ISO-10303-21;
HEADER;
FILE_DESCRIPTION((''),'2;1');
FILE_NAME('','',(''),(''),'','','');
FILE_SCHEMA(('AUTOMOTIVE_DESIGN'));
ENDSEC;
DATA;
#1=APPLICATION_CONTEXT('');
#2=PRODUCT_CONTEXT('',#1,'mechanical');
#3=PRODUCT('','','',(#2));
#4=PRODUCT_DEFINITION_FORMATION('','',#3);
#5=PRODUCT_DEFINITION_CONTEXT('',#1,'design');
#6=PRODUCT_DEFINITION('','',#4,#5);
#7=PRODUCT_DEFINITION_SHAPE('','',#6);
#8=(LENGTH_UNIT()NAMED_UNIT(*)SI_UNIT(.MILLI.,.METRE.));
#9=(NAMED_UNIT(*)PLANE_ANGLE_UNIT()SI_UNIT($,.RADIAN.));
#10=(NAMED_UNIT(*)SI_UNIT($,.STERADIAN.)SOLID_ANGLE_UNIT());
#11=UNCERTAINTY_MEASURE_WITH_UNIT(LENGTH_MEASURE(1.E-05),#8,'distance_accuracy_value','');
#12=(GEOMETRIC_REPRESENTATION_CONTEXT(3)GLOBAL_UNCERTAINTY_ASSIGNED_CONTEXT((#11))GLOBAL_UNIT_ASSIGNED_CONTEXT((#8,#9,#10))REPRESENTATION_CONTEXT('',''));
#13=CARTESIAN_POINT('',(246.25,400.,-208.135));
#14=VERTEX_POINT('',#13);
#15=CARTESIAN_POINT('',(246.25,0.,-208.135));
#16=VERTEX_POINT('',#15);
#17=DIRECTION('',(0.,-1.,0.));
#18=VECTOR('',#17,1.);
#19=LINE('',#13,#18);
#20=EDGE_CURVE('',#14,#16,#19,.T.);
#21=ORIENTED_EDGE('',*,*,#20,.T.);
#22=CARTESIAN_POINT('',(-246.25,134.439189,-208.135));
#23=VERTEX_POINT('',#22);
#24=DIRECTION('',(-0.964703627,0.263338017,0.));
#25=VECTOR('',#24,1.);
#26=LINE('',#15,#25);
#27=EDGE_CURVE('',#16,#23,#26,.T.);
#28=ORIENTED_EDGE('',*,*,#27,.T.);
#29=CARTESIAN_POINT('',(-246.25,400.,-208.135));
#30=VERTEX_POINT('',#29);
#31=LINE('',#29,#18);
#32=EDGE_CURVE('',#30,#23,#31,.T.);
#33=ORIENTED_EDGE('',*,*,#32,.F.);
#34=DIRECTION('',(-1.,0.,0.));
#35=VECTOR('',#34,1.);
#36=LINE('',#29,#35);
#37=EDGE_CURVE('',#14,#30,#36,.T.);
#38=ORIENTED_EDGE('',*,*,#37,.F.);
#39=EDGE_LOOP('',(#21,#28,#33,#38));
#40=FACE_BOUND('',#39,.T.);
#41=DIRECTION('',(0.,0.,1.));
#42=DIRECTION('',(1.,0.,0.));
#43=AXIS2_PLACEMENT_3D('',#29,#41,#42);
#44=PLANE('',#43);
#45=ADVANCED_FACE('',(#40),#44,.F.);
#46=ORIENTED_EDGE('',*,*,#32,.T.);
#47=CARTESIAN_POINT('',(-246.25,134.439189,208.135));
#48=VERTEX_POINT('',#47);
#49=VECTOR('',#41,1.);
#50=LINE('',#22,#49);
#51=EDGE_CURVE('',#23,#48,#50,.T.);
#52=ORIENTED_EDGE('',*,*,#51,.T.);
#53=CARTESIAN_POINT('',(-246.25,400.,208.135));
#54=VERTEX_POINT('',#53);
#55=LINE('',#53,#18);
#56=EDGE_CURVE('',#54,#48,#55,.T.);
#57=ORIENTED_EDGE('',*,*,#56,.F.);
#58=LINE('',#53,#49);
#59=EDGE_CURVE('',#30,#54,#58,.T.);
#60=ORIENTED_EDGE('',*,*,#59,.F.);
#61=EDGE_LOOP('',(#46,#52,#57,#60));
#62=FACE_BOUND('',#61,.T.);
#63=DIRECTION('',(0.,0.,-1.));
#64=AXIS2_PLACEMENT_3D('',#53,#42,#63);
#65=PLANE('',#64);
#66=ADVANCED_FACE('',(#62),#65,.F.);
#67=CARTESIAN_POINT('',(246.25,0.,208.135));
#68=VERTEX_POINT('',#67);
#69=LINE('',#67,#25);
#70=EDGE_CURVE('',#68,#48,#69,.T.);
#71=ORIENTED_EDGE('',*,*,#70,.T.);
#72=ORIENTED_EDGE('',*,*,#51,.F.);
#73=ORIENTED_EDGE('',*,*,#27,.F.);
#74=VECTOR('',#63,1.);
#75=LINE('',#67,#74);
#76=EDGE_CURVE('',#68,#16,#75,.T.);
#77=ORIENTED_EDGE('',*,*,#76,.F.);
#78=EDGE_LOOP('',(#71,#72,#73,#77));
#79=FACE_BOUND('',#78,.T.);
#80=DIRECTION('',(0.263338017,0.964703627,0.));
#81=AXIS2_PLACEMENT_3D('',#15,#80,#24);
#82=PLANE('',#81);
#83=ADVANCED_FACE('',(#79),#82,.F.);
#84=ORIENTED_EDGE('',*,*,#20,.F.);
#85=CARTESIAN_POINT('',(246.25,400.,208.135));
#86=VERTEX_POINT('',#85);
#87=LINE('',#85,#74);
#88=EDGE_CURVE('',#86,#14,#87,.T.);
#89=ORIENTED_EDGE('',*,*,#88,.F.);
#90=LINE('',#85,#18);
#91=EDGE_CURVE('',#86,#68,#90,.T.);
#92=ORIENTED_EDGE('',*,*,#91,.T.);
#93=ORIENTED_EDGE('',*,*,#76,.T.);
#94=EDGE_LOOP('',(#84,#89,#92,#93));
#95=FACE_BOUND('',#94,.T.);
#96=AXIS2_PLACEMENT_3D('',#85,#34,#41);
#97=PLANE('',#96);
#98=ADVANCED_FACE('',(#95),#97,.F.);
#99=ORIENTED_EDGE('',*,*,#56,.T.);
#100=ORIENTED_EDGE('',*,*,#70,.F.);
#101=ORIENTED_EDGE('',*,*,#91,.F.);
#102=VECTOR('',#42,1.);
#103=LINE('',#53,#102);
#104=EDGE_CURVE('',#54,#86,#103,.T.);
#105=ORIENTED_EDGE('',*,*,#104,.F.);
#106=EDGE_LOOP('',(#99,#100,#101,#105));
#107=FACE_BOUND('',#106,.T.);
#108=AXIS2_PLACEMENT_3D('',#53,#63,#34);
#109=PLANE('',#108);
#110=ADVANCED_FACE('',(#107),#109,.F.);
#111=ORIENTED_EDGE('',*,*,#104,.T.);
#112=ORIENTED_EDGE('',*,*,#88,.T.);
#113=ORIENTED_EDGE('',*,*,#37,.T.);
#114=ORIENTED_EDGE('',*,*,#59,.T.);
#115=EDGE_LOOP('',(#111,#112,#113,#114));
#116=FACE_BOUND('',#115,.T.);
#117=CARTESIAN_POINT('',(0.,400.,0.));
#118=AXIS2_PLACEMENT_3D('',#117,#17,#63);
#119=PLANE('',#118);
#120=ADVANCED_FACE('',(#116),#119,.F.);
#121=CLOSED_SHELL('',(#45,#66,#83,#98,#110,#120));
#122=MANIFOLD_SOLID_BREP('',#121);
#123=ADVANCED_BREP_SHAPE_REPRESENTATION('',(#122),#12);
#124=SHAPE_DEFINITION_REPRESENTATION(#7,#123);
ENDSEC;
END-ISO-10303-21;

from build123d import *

# Parameters (mm, degrees)
SKETCH1_W           = 492.5
SKETCH1_H           = 416.27
BOSS_EXTRUDE1_DEPTH = 400
CUT_EXTRUDE2_DEPTH  = 628.630285598


with BuildPart() as part:
    # Sketch1 → Boss-Extrude1 (new body)
    with BuildSketch(Plane(origin=(0, 0, 0), x_dir=(1, 0, 0), z_dir=(0, 1, 0))):
        Rectangle(SKETCH1_W, SKETCH1_H)
    extrude(amount=BOSS_EXTRUDE1_DEPTH)

    # Sketch3 → Cut-Extrude2 (cut, through all)
    with BuildSketch(Plane.XY.offset(208.135)):
        Polygon((246.25, 0), (-246.25, 134.439189184), (-246.25, 0), align=None)
    extrude(amount=-CUT_EXTRUDE2_DEPTH, mode=Mode.SUBTRACT)


solid = part.part
